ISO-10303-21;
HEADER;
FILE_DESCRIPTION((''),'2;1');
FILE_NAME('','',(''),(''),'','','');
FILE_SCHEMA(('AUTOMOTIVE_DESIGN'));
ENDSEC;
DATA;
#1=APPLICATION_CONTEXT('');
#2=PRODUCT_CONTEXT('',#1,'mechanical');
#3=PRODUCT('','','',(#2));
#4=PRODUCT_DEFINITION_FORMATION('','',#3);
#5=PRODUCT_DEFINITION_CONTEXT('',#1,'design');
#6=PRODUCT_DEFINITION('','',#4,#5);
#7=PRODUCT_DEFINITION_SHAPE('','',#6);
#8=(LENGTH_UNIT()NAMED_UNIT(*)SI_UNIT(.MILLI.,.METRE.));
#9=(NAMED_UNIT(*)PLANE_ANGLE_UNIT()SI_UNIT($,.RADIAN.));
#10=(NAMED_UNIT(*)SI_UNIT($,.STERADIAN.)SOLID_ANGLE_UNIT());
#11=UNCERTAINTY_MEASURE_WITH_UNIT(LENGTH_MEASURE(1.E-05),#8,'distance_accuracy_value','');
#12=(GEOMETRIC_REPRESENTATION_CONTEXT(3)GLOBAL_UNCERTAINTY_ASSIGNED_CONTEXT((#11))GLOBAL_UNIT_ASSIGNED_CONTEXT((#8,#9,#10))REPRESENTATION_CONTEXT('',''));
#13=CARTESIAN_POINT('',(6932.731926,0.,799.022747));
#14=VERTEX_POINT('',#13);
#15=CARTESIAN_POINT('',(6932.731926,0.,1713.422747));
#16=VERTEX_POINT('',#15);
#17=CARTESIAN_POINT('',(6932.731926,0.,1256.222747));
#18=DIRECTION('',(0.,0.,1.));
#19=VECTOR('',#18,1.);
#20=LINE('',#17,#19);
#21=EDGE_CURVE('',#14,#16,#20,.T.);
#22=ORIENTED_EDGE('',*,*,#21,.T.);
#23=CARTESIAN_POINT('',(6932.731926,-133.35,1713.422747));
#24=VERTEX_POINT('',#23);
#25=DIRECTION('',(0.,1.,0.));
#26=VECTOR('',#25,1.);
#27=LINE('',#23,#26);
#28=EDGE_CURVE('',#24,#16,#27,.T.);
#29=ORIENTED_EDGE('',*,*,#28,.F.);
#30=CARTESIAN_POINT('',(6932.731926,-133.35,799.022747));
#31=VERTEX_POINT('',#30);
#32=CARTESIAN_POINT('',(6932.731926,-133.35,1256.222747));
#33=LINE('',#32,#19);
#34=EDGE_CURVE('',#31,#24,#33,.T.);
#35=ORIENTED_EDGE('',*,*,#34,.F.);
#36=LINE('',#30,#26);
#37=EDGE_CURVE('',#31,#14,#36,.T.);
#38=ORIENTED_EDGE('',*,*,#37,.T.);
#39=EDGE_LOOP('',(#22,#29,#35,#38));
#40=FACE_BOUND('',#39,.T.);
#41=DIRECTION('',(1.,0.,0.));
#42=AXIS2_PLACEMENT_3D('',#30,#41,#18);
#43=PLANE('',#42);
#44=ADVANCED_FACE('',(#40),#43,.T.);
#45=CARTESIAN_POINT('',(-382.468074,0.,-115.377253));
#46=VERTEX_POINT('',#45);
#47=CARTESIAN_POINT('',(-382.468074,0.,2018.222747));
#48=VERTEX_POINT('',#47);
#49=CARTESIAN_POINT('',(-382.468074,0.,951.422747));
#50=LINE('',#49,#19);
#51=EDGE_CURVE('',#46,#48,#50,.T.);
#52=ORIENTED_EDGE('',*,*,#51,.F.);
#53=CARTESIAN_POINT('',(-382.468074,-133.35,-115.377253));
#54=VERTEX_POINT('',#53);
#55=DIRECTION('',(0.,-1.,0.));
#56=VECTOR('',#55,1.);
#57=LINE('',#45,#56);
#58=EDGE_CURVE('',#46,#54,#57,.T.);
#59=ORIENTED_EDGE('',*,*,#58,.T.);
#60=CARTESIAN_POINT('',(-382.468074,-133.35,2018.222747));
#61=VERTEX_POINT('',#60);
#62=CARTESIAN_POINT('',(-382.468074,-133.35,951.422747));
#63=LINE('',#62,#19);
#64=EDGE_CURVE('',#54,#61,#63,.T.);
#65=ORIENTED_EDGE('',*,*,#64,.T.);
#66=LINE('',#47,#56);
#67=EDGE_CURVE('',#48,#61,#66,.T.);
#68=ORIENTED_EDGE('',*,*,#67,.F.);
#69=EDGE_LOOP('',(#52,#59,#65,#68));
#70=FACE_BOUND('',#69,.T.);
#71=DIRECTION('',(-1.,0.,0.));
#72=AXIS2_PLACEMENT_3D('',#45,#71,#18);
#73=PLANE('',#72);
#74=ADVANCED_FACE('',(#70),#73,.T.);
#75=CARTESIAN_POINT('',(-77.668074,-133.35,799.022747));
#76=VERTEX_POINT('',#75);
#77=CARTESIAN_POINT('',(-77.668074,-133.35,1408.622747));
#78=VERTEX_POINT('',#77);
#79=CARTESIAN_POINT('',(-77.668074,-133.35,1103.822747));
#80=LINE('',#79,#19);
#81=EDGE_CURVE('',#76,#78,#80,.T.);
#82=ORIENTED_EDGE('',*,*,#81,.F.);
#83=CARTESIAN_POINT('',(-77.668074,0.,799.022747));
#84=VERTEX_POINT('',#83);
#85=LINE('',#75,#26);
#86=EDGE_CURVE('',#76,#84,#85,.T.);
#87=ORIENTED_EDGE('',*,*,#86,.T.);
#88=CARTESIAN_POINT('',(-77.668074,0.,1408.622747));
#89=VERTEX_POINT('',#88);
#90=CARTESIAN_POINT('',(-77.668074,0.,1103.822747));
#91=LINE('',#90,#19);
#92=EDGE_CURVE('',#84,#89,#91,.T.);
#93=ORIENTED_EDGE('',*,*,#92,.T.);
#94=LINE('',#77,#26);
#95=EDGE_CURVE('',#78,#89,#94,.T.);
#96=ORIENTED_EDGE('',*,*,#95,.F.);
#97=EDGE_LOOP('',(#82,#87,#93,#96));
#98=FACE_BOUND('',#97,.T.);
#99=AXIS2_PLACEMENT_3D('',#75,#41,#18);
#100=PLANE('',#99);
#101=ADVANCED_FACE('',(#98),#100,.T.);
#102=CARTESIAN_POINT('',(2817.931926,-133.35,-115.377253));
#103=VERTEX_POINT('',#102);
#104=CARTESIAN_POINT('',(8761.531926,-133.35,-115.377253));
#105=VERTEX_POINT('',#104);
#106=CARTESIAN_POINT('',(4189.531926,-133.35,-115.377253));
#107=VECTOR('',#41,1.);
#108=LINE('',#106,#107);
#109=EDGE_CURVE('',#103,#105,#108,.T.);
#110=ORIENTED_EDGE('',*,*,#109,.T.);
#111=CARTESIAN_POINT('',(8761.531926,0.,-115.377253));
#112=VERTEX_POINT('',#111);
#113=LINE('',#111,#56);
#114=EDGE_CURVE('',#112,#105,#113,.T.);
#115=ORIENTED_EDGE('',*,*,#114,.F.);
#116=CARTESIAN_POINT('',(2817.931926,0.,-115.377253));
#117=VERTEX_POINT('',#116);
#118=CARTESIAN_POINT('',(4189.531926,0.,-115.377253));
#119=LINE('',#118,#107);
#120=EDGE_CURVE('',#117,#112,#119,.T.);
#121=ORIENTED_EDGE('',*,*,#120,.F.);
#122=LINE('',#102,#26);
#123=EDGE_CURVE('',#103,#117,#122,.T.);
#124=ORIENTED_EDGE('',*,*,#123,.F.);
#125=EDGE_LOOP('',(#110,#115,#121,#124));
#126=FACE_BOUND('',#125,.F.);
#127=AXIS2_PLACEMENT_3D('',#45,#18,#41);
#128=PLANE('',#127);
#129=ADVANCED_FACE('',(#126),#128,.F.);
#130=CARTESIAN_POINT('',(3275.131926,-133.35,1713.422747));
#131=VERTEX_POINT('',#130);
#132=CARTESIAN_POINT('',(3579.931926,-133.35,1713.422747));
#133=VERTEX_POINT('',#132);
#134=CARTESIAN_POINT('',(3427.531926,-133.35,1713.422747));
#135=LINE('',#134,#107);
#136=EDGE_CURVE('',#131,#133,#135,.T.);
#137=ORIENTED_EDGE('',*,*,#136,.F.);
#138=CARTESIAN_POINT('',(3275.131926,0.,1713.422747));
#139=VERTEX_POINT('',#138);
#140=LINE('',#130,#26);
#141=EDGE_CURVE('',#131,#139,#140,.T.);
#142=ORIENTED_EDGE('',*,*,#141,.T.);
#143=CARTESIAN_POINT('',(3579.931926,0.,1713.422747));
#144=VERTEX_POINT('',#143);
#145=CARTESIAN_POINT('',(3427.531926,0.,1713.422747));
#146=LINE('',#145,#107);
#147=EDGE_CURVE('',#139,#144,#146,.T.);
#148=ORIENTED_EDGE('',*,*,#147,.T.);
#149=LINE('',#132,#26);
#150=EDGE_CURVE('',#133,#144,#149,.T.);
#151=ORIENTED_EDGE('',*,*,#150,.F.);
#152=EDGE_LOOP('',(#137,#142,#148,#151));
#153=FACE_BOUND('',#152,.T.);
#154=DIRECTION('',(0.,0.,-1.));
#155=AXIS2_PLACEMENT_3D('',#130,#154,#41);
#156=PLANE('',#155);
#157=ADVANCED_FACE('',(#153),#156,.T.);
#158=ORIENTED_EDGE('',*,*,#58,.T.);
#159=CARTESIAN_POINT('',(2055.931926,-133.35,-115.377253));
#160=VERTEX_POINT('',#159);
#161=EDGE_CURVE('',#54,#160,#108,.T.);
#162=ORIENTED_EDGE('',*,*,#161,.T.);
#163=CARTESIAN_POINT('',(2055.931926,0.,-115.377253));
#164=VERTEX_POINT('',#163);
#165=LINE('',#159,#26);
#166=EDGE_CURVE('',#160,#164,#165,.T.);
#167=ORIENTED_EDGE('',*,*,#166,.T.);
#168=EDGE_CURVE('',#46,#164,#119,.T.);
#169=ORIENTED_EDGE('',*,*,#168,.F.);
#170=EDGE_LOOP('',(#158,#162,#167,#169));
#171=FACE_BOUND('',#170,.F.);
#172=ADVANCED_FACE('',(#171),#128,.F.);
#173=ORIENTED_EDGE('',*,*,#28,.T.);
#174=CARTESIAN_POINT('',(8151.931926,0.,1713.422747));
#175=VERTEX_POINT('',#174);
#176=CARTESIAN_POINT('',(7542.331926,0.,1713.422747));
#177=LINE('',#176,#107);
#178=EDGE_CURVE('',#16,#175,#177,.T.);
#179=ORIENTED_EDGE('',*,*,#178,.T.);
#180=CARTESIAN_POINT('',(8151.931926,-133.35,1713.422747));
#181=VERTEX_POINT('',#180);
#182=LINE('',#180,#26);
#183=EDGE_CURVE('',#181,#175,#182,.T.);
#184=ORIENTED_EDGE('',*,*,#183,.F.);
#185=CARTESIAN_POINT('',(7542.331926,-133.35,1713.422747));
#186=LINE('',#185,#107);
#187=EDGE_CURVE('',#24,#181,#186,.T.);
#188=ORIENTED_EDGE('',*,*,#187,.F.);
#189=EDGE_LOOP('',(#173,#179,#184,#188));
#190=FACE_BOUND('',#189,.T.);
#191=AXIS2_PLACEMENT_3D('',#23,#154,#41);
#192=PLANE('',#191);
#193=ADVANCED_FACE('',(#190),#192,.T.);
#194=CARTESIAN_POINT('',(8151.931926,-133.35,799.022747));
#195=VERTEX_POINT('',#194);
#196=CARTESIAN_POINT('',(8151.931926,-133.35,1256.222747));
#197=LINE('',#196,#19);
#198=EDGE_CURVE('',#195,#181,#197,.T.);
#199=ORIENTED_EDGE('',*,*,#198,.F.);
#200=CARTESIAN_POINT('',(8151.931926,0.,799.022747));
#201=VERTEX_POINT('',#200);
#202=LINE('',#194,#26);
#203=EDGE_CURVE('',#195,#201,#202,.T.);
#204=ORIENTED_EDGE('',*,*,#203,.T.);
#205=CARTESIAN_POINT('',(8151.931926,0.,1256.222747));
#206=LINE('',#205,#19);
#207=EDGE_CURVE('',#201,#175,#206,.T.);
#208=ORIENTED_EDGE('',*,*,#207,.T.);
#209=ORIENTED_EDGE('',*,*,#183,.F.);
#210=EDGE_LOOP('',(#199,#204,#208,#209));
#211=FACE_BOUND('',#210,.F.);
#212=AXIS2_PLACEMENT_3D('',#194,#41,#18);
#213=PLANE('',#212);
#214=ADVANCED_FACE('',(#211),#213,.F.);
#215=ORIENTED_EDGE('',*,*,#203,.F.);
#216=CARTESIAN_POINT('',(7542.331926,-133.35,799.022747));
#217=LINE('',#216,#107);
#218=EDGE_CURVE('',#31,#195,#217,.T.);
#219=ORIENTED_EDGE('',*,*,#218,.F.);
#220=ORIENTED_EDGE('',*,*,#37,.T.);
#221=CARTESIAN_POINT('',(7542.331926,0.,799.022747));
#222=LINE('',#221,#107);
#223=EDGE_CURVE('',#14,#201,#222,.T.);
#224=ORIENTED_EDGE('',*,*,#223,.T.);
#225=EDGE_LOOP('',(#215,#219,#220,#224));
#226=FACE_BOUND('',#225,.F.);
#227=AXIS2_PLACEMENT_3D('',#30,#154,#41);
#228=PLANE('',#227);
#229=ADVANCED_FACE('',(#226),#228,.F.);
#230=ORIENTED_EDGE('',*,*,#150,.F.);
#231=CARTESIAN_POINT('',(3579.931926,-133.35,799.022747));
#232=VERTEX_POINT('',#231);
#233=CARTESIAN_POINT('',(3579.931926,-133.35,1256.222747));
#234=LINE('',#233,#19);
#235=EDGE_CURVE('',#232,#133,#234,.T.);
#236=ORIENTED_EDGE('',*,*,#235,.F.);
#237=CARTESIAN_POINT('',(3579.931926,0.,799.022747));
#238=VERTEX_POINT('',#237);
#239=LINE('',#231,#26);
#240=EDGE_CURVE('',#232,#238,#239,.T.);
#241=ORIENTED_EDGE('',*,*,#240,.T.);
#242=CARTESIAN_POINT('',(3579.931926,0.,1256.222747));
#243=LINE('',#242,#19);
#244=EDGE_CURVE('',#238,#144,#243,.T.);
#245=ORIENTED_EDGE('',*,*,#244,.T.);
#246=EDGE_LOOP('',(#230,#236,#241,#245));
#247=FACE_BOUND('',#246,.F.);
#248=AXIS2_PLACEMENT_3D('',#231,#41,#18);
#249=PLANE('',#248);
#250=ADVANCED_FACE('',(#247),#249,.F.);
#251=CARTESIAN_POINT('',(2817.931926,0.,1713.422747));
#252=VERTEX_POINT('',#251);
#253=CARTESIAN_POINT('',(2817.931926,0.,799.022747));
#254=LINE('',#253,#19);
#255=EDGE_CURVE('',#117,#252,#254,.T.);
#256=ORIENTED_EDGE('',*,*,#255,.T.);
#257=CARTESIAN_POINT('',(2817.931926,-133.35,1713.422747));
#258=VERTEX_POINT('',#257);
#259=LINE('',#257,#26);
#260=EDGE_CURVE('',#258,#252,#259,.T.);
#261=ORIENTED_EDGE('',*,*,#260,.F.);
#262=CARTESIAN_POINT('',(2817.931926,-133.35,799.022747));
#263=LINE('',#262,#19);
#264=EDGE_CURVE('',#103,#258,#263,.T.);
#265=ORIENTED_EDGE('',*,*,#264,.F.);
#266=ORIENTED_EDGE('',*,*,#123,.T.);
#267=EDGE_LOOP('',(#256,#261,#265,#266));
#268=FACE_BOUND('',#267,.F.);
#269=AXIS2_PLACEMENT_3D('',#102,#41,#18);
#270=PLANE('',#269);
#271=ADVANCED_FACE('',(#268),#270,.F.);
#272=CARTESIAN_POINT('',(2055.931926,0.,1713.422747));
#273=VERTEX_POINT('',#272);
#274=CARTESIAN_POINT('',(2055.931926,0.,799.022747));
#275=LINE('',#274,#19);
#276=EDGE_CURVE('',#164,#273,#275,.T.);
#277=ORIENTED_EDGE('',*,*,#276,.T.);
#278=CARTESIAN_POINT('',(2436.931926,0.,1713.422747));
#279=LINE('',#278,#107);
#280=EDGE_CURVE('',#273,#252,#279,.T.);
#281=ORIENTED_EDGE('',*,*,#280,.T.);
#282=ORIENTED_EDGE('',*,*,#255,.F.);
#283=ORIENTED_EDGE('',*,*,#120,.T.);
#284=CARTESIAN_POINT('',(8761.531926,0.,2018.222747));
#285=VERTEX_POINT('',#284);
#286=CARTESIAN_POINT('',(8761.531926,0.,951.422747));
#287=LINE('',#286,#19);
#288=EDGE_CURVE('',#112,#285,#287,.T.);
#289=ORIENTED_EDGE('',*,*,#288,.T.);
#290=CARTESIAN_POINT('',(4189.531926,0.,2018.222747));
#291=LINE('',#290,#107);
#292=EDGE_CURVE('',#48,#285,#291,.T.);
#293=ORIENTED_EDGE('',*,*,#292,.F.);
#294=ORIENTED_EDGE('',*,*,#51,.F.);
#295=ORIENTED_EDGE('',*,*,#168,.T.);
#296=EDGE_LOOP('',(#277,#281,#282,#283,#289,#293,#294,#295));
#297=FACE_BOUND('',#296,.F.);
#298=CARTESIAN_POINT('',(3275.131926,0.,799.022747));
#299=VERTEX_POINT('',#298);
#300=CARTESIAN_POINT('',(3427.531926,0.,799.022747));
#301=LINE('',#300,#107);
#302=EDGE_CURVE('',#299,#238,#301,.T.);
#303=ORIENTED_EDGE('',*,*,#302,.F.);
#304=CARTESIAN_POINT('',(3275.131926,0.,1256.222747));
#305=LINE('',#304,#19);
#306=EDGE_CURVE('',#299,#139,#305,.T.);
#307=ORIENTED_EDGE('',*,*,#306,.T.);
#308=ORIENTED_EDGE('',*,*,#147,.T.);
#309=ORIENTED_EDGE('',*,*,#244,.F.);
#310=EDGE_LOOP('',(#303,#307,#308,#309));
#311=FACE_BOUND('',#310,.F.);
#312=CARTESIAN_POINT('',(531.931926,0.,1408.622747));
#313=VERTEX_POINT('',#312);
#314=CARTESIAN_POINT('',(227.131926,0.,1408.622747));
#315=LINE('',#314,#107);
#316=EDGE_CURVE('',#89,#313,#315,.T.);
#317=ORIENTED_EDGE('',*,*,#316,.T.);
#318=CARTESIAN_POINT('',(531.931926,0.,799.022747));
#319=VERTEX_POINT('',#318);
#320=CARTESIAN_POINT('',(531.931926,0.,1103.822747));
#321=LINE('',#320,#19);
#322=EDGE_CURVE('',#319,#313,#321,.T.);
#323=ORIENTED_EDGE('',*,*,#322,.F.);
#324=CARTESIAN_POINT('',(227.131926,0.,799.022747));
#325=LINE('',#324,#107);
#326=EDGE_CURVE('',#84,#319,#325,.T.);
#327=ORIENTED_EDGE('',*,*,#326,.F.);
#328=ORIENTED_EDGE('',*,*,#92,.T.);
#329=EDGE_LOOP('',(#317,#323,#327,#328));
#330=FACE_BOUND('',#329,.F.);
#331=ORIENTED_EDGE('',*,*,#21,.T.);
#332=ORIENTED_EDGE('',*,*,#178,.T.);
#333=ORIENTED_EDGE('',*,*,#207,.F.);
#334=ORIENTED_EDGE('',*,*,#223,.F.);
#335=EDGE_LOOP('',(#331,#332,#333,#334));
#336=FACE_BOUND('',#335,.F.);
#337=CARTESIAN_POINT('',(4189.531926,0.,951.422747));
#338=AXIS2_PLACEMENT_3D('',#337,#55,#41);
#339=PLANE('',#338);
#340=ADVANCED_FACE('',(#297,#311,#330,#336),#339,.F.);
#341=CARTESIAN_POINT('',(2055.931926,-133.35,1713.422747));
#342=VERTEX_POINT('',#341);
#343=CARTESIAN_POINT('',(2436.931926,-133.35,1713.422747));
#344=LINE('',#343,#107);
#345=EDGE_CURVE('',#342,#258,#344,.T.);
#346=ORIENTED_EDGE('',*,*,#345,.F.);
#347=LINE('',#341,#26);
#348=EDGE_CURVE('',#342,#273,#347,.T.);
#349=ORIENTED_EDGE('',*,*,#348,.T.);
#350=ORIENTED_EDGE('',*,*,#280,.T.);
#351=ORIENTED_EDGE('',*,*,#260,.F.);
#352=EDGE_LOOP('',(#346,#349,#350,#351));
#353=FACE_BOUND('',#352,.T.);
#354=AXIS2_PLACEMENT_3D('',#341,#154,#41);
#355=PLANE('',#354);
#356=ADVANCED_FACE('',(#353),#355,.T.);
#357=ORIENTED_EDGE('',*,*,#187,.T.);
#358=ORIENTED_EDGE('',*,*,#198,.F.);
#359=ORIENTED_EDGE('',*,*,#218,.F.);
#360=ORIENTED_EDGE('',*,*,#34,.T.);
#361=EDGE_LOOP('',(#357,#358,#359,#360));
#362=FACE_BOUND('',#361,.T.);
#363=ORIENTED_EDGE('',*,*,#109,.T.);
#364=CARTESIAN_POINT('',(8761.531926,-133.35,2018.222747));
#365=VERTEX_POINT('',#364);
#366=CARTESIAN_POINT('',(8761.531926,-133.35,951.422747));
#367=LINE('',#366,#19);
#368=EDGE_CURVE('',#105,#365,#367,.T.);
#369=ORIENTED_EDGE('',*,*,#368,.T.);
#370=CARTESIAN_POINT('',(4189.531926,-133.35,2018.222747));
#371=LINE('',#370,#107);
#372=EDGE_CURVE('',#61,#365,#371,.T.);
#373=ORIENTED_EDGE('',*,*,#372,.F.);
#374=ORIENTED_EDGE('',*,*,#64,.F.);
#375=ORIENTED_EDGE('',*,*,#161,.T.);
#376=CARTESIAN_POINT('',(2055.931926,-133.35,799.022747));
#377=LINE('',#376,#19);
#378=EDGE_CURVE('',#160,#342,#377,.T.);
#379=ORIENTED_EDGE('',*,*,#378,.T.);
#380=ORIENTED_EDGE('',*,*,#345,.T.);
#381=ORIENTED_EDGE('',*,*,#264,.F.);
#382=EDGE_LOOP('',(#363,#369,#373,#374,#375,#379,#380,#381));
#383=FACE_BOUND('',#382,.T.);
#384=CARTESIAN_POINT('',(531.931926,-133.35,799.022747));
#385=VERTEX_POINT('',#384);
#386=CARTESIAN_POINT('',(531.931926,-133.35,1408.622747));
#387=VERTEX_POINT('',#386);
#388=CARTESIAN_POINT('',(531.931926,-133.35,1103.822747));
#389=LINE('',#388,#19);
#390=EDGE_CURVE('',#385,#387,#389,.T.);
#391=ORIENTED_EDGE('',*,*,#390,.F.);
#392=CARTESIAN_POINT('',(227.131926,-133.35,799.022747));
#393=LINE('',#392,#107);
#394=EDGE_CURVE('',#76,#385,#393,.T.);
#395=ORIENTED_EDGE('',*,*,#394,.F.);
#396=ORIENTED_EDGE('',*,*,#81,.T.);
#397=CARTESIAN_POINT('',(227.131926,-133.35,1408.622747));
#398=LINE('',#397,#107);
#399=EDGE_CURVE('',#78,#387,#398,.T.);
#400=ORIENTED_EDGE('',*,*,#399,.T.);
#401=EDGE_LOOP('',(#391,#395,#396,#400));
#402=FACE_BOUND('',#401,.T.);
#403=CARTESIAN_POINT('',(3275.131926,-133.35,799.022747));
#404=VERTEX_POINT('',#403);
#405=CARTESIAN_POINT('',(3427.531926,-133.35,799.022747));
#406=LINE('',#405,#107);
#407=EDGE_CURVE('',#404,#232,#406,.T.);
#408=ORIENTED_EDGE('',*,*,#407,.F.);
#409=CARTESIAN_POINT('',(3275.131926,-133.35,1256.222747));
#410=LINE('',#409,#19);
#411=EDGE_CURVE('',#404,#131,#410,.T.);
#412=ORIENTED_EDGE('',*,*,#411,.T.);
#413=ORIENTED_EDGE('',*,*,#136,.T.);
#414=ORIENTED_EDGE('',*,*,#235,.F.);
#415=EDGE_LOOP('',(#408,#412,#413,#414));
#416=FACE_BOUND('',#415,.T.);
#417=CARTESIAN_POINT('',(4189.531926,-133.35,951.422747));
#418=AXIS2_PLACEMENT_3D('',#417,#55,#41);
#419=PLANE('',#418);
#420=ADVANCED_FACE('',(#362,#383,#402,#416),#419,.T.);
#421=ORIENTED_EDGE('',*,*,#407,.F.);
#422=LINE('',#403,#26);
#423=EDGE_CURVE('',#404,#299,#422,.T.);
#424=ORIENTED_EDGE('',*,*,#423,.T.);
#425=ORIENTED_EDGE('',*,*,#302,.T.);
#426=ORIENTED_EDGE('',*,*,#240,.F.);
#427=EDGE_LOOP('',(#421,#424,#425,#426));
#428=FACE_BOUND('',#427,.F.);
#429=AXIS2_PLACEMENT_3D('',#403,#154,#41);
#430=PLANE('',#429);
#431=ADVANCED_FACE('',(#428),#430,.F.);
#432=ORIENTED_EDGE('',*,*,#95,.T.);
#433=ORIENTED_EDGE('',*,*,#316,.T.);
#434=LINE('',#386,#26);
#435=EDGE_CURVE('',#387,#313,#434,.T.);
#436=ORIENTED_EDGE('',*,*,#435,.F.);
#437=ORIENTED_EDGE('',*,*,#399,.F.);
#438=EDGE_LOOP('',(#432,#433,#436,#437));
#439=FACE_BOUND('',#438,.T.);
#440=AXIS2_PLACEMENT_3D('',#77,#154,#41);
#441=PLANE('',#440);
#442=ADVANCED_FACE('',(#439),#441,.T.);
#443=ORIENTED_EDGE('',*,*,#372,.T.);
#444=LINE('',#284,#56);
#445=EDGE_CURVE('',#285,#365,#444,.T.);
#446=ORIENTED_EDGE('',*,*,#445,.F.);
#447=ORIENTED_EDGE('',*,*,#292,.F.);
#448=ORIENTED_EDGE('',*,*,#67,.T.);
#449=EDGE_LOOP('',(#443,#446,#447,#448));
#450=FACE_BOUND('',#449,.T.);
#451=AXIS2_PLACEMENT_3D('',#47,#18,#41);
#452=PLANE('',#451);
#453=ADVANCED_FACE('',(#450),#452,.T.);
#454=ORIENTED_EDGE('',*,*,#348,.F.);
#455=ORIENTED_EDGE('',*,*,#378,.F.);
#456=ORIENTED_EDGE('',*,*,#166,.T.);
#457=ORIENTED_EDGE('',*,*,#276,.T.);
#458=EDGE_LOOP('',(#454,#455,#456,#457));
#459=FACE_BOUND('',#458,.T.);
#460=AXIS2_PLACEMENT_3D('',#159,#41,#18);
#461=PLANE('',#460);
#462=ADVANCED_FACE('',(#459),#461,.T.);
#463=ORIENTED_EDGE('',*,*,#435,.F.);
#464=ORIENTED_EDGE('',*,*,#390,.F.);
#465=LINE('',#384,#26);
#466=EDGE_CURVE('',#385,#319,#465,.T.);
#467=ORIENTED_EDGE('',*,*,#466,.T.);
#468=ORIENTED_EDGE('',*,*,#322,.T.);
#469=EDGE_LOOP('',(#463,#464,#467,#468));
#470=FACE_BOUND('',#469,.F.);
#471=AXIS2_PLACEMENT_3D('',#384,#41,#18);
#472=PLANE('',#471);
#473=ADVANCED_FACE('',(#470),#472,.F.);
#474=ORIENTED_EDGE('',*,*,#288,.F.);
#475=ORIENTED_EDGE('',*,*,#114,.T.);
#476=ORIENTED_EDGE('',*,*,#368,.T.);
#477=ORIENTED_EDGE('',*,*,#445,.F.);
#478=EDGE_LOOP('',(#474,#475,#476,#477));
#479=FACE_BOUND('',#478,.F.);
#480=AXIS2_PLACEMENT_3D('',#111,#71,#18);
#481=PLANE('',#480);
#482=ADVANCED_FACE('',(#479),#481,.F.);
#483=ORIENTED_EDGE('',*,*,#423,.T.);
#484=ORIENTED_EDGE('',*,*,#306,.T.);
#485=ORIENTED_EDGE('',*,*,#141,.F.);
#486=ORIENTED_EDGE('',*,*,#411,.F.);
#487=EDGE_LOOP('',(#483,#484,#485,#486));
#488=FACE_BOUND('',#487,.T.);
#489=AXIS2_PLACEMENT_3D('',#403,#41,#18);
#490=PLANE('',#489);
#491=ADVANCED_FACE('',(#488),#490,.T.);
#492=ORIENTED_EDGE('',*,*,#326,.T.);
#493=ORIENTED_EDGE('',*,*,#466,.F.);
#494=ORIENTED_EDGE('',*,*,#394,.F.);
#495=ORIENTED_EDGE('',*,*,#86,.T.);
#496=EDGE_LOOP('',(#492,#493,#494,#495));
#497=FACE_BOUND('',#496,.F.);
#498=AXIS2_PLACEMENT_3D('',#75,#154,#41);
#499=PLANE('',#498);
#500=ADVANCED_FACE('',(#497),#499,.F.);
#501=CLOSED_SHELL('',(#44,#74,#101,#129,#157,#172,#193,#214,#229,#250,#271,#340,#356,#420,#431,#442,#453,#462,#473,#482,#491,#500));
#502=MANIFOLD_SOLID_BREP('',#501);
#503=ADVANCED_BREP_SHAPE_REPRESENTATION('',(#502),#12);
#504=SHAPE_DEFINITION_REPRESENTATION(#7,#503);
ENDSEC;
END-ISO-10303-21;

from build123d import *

# Parameters (mm, degrees)
F0_W     = 9144
F0_H     = 2133.6
F1_DEPTH = 133.35
F2_W     = 609.6
F2_H     = 609.6
F2_W_2   = 762
F2_H_2   = 1828.8
F2_W_3   = 304.8
F2_H_3   = 914.4
F2_W_4   = 1219.2
F3_DEPTH = 133.35


with BuildPart() as f1:
    # F0 (on Front) → F1 (new body)
    with BuildSketch(Plane.XZ):
        with Locations((4189.531926, 951.422747)):
            Rectangle(F0_W, F0_H)
    extrude(amount=F1_DEPTH)

    # F2 (on face) → F3 (cut)
    with BuildSketch(Plane.XZ.offset(133.35)):
        with Locations((227.131926, 1103.822747)):
            Rectangle(F2_W, F2_H)
        with Locations((2436.931926, 799.022747)):
            Rectangle(F2_W_2, F2_H_2)
        with Locations((3427.531926, 1256.222747)):
            Rectangle(F2_W_3, F2_H_3)
        with Locations((7542.331926, 1256.222747)):
            Rectangle(F2_W_4, F2_H_3)
    extrude(amount=-F3_DEPTH, mode=Mode.SUBTRACT)


solid = f1.part
